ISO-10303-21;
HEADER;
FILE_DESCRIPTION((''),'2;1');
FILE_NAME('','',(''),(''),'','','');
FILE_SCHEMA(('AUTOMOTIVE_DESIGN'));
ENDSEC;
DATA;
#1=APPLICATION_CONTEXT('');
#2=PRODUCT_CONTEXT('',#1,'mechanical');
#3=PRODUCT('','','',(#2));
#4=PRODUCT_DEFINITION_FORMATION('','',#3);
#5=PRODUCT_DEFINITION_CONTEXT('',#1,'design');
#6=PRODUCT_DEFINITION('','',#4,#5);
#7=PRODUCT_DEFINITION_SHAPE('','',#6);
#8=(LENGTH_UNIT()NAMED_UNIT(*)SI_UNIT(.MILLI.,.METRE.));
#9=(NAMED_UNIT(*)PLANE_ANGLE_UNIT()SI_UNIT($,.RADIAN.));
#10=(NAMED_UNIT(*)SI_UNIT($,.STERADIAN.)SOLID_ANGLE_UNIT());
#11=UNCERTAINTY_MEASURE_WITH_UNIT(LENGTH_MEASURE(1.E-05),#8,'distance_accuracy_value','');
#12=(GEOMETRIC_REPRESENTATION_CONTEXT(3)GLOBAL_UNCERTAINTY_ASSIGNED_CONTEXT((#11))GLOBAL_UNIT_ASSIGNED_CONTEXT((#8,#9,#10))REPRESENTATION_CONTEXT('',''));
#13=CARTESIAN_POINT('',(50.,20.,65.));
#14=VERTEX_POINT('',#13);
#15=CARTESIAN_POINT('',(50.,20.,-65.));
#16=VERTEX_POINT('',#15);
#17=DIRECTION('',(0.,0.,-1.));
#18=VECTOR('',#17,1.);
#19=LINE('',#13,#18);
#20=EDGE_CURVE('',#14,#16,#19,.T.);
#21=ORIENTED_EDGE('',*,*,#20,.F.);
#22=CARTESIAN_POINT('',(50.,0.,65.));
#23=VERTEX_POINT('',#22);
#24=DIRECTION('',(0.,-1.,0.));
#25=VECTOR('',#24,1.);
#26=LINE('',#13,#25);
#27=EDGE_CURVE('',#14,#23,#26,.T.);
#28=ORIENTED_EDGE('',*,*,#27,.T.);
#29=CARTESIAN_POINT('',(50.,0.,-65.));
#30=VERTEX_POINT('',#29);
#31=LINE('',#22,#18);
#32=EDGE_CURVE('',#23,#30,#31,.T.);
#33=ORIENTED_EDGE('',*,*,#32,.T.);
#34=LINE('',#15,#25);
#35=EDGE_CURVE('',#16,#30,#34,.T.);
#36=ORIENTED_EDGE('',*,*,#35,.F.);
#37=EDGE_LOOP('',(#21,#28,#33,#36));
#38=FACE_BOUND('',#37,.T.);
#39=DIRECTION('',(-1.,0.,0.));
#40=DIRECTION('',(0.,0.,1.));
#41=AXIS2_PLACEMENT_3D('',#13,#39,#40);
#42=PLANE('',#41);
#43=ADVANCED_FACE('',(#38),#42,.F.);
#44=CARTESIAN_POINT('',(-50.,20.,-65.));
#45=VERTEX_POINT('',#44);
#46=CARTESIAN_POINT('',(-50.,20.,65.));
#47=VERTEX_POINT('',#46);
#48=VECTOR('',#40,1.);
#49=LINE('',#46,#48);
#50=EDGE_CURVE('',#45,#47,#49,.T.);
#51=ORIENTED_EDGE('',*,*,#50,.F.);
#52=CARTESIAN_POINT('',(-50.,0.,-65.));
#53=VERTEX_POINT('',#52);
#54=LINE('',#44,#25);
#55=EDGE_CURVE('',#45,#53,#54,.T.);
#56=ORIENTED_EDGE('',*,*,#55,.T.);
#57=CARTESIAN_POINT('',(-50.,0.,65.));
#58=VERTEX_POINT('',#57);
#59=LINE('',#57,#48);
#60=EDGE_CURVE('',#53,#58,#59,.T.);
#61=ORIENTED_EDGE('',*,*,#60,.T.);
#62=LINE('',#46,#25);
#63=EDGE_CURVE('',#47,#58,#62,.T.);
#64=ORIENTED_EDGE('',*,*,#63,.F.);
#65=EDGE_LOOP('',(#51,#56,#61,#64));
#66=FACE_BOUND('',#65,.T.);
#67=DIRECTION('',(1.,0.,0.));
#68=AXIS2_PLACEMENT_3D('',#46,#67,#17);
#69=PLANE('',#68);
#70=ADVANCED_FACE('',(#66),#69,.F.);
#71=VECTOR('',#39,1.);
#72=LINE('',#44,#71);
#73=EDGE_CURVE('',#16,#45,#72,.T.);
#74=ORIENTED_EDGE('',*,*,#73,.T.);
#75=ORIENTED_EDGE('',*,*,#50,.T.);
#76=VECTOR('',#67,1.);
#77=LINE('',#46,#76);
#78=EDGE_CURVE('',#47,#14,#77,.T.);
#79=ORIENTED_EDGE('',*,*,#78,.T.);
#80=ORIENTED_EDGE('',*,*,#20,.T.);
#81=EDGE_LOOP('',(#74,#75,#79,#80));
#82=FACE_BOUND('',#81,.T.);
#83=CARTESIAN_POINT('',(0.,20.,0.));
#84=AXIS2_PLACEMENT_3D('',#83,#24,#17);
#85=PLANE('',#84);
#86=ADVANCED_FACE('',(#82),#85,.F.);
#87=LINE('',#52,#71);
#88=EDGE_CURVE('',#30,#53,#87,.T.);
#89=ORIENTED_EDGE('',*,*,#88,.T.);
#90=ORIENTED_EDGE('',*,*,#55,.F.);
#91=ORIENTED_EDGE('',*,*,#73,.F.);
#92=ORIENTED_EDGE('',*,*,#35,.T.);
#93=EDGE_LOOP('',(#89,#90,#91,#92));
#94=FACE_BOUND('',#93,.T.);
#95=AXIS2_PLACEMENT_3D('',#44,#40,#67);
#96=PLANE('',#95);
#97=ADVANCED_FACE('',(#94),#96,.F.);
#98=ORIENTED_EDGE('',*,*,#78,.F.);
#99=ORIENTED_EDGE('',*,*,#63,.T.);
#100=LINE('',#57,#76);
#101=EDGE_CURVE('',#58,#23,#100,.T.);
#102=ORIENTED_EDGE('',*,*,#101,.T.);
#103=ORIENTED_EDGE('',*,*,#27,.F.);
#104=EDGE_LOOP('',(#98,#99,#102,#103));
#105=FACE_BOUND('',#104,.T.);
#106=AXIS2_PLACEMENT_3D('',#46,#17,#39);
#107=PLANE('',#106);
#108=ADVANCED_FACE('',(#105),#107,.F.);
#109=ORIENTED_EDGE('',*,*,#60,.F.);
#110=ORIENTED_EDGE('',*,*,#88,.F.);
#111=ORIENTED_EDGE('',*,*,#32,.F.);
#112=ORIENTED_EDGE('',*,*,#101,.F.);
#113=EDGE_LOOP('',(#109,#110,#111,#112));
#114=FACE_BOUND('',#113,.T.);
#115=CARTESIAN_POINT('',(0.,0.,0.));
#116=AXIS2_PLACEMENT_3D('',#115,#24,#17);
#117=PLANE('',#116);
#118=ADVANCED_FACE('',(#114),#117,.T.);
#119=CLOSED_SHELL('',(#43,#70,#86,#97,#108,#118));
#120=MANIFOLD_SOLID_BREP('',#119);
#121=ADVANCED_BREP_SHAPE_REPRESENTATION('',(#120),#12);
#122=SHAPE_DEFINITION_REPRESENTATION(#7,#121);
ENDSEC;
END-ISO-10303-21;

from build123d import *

# Parameters (mm, degrees)
SKETCH1_W      = 100
SKETCH1_H      = 130
EXTRUDE1_DEPTH = 20


with BuildPart() as part:
    # Sketch1 → Extrude1 (new body)
    with BuildSketch(Plane(origin=(0, 0, 0), x_dir=(1, 0, 0), z_dir=(0, 1, 0))):
        Rectangle(SKETCH1_W, SKETCH1_H)
    extrude(amount=EXTRUDE1_DEPTH)


solid = part.part
